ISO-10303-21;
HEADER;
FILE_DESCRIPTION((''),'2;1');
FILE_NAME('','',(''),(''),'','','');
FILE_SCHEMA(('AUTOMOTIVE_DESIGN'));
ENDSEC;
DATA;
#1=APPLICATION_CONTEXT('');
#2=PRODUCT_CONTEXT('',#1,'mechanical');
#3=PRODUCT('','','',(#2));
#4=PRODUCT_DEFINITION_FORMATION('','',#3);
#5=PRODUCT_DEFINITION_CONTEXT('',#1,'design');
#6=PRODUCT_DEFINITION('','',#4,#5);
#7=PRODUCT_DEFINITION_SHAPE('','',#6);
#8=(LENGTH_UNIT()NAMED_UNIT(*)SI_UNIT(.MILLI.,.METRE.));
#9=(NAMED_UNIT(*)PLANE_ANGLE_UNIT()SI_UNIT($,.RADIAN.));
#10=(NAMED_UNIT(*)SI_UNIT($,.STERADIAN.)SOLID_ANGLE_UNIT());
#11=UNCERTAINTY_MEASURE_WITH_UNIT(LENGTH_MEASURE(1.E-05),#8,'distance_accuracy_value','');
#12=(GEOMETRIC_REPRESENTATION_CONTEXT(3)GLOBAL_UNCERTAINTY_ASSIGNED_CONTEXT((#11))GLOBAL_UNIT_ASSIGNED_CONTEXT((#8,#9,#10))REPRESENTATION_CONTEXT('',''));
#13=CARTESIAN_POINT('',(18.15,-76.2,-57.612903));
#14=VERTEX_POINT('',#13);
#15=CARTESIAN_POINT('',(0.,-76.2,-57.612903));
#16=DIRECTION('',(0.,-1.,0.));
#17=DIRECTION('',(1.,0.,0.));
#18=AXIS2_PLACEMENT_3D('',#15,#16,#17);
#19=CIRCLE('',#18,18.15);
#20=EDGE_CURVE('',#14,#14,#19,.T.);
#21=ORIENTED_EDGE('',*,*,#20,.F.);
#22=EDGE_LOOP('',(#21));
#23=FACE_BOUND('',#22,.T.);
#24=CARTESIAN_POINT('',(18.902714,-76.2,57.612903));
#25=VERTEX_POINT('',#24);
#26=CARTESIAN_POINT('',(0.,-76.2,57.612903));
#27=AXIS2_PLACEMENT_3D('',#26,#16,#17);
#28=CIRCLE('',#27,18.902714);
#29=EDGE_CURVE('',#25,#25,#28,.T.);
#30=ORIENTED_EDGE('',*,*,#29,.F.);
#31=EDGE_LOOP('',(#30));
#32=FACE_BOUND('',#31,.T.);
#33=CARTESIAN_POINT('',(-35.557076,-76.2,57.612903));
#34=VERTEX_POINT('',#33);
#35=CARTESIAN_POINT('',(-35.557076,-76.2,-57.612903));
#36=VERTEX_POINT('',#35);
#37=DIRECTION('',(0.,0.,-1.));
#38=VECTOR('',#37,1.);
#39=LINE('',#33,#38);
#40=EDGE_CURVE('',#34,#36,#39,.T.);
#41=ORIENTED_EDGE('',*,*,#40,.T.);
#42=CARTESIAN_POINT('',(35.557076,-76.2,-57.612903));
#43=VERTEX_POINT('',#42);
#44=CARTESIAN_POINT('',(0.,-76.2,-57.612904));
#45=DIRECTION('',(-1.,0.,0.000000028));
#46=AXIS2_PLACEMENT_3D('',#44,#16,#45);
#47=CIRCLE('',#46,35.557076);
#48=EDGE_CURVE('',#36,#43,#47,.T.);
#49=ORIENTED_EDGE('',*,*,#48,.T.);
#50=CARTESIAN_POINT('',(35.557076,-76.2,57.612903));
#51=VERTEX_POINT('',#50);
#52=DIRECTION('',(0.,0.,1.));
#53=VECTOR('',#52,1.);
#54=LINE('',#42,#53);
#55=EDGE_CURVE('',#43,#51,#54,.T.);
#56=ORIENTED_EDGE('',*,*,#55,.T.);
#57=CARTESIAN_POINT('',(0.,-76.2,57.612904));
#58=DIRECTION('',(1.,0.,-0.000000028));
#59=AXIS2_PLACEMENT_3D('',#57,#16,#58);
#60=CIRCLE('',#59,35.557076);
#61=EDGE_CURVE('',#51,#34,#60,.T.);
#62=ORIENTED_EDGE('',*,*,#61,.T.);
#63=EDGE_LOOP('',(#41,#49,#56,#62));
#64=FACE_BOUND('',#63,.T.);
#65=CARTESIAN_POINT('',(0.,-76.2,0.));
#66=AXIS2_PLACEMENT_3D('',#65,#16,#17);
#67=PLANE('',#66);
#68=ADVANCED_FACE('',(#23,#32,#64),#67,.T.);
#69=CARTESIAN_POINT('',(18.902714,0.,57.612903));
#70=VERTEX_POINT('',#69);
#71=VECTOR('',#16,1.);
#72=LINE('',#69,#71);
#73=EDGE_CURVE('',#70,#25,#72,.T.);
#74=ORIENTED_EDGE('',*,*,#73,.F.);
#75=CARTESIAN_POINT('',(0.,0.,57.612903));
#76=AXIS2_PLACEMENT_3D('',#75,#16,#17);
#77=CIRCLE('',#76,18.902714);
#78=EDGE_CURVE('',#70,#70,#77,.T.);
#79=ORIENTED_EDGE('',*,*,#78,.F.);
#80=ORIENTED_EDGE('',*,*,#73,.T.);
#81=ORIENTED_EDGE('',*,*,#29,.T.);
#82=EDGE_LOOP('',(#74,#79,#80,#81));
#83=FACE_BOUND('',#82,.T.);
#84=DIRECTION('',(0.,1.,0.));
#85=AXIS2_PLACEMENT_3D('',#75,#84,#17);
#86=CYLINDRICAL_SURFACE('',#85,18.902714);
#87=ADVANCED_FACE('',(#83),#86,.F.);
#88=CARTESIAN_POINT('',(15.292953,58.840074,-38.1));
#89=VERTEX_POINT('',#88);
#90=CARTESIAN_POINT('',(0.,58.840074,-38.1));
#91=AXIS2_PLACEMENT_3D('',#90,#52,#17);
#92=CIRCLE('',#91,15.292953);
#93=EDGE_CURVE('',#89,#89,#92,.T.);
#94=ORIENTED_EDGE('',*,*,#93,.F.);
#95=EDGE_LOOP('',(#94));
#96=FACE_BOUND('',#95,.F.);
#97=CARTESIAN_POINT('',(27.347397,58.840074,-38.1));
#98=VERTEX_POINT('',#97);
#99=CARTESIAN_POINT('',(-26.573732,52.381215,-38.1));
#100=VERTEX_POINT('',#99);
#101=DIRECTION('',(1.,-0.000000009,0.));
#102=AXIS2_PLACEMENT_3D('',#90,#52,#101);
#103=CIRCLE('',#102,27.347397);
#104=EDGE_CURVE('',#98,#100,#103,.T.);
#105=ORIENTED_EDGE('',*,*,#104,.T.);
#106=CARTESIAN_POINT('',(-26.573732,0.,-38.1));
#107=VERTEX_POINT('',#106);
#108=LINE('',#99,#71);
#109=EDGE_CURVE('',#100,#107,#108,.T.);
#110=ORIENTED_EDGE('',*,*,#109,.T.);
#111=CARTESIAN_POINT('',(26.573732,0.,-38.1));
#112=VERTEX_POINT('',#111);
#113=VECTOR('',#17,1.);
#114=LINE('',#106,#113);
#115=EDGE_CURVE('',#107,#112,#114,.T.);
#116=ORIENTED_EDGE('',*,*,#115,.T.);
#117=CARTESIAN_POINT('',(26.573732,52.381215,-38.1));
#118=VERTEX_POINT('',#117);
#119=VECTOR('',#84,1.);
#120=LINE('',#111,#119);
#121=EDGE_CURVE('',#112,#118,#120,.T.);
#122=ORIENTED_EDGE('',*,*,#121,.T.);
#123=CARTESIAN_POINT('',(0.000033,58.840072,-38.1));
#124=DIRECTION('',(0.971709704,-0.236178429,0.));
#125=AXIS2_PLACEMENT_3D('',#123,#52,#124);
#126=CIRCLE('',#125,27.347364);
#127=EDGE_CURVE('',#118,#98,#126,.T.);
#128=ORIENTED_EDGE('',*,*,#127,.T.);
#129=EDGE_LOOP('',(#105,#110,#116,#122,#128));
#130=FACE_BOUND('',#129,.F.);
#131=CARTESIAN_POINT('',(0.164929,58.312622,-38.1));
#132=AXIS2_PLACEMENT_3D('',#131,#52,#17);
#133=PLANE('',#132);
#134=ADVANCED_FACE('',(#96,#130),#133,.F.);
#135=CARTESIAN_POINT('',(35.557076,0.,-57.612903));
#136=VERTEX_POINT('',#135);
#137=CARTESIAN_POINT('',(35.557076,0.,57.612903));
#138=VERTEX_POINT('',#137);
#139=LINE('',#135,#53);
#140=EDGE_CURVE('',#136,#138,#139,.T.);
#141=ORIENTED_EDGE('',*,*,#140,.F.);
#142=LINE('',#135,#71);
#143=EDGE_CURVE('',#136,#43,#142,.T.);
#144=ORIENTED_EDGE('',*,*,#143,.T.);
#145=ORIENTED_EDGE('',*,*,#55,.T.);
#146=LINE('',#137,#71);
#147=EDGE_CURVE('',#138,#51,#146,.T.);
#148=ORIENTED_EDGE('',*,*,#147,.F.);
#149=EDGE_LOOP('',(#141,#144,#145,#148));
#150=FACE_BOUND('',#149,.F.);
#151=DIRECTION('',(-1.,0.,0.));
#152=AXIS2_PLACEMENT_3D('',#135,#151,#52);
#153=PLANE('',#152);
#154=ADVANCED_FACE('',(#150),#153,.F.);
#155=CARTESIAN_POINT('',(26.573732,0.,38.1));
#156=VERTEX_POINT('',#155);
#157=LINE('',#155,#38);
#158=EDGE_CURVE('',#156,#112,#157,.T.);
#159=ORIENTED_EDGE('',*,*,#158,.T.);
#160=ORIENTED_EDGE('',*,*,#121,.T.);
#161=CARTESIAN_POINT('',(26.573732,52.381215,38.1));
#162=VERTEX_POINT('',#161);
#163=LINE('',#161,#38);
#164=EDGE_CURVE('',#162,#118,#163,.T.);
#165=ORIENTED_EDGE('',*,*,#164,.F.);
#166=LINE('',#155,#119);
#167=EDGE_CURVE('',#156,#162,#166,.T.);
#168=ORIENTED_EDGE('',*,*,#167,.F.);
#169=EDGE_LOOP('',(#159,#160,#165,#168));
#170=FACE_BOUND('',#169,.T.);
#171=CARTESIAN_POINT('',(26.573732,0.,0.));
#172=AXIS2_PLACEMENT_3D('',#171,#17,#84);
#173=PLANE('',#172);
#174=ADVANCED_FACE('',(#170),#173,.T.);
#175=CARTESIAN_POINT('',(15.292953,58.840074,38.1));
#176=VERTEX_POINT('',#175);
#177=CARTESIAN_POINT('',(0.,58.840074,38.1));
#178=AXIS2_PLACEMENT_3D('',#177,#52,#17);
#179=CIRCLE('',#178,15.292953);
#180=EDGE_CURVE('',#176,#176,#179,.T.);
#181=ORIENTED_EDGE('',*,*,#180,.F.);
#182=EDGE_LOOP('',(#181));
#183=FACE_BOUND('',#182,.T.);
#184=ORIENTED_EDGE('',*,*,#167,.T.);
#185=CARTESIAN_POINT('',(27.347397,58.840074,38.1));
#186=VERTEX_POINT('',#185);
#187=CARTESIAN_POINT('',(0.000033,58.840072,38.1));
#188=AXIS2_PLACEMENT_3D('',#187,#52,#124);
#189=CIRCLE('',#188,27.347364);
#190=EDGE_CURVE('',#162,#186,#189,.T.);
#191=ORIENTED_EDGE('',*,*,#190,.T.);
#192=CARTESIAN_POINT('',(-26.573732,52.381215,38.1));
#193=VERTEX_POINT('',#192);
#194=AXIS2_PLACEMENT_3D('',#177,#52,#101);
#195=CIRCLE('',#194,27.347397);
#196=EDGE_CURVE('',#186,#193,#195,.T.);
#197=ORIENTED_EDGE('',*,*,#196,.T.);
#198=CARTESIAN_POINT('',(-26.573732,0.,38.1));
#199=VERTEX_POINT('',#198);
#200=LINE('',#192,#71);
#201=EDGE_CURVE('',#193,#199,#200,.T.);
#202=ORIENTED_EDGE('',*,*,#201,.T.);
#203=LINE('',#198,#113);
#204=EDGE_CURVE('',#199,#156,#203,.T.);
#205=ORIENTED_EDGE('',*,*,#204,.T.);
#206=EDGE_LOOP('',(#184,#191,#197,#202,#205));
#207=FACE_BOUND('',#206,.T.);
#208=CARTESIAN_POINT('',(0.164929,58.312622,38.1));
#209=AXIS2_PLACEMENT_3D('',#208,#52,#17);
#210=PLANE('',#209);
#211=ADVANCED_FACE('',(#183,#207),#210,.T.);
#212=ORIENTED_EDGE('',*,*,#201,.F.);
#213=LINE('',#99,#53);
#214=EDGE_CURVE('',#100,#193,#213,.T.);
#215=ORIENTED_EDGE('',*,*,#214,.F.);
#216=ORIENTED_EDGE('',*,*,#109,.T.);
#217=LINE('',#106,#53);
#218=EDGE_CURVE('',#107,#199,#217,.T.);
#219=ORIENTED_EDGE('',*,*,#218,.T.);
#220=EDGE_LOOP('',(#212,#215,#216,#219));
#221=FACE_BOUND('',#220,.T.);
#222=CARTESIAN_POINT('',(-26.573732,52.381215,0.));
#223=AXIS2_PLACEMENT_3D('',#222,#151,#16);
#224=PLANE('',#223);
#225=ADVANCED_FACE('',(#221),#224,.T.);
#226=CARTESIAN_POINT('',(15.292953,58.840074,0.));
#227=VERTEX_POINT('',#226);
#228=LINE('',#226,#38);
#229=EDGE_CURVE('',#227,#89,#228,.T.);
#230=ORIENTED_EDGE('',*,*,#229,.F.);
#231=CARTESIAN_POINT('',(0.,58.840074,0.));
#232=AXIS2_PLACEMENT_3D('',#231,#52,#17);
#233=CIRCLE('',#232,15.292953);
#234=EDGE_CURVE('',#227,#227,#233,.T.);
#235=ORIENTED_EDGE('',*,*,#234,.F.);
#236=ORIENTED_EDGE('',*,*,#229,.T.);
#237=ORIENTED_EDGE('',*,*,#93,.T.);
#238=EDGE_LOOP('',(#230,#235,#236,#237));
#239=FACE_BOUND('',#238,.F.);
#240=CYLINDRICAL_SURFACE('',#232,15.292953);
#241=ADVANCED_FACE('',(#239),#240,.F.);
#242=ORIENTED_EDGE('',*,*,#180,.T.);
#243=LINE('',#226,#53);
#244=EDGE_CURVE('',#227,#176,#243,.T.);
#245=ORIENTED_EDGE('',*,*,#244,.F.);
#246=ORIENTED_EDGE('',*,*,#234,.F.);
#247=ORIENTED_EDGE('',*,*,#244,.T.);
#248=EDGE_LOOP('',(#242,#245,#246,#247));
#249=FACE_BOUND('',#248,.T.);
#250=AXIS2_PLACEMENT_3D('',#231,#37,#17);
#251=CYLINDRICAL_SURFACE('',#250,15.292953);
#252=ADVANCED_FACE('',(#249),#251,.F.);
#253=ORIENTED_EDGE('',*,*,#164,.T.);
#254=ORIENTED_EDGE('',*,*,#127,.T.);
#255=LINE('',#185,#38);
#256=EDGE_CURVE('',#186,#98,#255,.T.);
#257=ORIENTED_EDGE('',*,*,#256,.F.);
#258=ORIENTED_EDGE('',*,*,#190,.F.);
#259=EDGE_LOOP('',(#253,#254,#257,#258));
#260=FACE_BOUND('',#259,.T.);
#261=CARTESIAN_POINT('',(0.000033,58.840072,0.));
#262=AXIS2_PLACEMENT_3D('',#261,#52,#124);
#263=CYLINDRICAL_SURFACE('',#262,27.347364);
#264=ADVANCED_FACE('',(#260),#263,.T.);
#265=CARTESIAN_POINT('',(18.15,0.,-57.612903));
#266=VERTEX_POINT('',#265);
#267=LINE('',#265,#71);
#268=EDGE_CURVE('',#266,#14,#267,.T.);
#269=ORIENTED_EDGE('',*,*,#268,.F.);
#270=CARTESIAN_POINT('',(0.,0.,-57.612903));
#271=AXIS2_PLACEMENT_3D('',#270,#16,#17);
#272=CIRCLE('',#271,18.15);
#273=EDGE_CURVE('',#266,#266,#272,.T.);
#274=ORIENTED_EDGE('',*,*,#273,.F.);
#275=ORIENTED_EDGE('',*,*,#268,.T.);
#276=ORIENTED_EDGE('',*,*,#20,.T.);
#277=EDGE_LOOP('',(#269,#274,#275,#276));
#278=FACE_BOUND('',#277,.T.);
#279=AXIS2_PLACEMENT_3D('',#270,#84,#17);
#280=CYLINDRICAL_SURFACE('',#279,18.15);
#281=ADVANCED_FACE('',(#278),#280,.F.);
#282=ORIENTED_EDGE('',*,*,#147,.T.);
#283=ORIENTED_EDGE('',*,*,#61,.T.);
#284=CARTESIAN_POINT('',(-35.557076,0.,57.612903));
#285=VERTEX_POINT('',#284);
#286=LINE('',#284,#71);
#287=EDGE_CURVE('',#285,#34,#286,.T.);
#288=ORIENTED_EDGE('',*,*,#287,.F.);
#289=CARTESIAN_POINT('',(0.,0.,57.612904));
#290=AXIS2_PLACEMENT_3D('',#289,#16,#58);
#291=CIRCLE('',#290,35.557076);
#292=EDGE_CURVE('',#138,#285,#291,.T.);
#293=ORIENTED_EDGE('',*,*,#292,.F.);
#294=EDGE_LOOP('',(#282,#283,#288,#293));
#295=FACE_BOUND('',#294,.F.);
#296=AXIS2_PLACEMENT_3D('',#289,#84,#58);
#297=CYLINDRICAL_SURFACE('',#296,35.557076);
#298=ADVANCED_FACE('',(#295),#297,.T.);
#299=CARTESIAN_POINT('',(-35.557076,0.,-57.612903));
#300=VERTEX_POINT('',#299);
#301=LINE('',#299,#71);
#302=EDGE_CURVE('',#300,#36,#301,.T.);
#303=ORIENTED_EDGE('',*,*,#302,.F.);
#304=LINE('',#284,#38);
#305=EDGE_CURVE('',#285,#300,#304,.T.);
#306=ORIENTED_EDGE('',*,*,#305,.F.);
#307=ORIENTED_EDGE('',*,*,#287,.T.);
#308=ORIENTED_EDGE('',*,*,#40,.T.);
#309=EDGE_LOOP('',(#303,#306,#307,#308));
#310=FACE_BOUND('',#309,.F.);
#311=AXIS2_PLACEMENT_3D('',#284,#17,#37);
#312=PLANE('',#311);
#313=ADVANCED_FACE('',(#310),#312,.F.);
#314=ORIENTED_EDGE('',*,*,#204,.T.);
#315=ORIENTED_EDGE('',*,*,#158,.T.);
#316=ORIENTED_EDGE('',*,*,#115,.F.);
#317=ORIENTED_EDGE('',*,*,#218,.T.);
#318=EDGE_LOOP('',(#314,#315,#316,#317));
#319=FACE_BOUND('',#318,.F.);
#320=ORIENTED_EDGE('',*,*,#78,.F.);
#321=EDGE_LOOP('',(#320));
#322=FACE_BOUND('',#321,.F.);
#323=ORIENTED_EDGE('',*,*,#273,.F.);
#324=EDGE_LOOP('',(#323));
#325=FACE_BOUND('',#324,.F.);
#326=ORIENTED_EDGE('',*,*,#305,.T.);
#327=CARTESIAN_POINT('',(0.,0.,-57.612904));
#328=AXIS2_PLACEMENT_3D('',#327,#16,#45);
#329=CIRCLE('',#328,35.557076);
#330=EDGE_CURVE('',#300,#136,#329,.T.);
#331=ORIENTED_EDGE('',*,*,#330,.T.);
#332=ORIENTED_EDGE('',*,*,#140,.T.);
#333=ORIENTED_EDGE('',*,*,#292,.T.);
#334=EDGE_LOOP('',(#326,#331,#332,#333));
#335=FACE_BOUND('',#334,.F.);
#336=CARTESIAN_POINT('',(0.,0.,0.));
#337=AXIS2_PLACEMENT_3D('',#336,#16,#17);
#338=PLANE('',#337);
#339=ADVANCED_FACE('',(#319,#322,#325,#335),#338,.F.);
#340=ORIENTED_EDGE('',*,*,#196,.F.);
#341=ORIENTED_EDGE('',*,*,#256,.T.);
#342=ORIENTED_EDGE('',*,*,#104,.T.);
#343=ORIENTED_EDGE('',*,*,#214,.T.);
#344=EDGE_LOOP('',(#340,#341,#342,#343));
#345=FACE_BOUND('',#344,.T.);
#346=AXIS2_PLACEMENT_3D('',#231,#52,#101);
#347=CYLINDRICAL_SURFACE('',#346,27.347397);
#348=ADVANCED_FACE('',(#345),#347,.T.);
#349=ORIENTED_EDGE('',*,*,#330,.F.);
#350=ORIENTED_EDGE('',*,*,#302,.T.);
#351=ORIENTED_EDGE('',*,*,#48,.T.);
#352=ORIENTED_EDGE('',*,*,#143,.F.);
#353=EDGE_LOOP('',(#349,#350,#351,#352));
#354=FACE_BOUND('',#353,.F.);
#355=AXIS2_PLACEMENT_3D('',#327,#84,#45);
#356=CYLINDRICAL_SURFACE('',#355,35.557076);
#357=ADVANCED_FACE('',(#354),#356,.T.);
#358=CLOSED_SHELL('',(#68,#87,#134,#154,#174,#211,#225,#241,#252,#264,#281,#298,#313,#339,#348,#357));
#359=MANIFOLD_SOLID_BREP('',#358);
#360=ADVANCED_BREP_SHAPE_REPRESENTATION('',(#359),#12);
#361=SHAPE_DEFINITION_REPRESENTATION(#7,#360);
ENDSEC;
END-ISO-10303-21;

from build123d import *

# Parameters (mm, degrees)
F0_R          = 18.15
F0_R_2        = 18.902714
F1_DEPTH      = 76.2
F2_R          = 15.292953
F3_DEPTH      = 38.1
F3_DEPTH_BACK = 38.1


with BuildPart() as f1:
    # F0 (on Front) → F1 (new body)
    with BuildSketch(Plane.XZ):
        with BuildLine():
            Line((35.557076, -57.612903), (35.557076, 57.612903))
            ThreePointArc((35.557076, 57.612903), (0, 93.16998), (-35.557076, 57.612903))
            Line((-35.557076, 57.612903), (-35.557076, -57.612903))
            ThreePointArc((-35.557076, -57.612903), (0, -93.16998), (35.557076, -57.612903))
        make_face()
        with Locations((0, -57.612903)):
            Circle(F0_R, mode=Mode.SUBTRACT)
        with Locations((0, 57.612903)):
            Circle(F0_R_2, mode=Mode.SUBTRACT)
    extrude(amount=F1_DEPTH)

    # F2 (on Top) → F3 (join, two sides)
    with BuildSketch(Plane.XY) as f3_sk:
        with BuildLine():
            ThreePointArc((-26.573732, 52.381215), (0, 31.492677), (26.573732, 52.381215))
            ThreePointArc((26.573732, 52.381215), (27.153292, 55.587559), (27.347397, 58.840074))
            ThreePointArc((27.347397, 58.840074), (-3.252515, 85.993366), (-26.573732, 52.381215))
        make_face()
        with Locations((0, 58.840074)):
            Circle(F2_R, mode=Mode.SUBTRACT)
        with BuildLine():
            Line((26.573732, 0), (26.573732, 52.381215))
            ThreePointArc((26.573732, 52.381215), (0, 31.492677), (-26.573732, 52.381215))
            Line((-26.573732, 52.381215), (-26.573732, 0))
            Line((-26.573732, 0), (26.573732, 0))
        make_face()
    extrude(amount=F3_DEPTH)
    extrude(f3_sk.sketch, amount=-F3_DEPTH_BACK)


solid = f1.part
